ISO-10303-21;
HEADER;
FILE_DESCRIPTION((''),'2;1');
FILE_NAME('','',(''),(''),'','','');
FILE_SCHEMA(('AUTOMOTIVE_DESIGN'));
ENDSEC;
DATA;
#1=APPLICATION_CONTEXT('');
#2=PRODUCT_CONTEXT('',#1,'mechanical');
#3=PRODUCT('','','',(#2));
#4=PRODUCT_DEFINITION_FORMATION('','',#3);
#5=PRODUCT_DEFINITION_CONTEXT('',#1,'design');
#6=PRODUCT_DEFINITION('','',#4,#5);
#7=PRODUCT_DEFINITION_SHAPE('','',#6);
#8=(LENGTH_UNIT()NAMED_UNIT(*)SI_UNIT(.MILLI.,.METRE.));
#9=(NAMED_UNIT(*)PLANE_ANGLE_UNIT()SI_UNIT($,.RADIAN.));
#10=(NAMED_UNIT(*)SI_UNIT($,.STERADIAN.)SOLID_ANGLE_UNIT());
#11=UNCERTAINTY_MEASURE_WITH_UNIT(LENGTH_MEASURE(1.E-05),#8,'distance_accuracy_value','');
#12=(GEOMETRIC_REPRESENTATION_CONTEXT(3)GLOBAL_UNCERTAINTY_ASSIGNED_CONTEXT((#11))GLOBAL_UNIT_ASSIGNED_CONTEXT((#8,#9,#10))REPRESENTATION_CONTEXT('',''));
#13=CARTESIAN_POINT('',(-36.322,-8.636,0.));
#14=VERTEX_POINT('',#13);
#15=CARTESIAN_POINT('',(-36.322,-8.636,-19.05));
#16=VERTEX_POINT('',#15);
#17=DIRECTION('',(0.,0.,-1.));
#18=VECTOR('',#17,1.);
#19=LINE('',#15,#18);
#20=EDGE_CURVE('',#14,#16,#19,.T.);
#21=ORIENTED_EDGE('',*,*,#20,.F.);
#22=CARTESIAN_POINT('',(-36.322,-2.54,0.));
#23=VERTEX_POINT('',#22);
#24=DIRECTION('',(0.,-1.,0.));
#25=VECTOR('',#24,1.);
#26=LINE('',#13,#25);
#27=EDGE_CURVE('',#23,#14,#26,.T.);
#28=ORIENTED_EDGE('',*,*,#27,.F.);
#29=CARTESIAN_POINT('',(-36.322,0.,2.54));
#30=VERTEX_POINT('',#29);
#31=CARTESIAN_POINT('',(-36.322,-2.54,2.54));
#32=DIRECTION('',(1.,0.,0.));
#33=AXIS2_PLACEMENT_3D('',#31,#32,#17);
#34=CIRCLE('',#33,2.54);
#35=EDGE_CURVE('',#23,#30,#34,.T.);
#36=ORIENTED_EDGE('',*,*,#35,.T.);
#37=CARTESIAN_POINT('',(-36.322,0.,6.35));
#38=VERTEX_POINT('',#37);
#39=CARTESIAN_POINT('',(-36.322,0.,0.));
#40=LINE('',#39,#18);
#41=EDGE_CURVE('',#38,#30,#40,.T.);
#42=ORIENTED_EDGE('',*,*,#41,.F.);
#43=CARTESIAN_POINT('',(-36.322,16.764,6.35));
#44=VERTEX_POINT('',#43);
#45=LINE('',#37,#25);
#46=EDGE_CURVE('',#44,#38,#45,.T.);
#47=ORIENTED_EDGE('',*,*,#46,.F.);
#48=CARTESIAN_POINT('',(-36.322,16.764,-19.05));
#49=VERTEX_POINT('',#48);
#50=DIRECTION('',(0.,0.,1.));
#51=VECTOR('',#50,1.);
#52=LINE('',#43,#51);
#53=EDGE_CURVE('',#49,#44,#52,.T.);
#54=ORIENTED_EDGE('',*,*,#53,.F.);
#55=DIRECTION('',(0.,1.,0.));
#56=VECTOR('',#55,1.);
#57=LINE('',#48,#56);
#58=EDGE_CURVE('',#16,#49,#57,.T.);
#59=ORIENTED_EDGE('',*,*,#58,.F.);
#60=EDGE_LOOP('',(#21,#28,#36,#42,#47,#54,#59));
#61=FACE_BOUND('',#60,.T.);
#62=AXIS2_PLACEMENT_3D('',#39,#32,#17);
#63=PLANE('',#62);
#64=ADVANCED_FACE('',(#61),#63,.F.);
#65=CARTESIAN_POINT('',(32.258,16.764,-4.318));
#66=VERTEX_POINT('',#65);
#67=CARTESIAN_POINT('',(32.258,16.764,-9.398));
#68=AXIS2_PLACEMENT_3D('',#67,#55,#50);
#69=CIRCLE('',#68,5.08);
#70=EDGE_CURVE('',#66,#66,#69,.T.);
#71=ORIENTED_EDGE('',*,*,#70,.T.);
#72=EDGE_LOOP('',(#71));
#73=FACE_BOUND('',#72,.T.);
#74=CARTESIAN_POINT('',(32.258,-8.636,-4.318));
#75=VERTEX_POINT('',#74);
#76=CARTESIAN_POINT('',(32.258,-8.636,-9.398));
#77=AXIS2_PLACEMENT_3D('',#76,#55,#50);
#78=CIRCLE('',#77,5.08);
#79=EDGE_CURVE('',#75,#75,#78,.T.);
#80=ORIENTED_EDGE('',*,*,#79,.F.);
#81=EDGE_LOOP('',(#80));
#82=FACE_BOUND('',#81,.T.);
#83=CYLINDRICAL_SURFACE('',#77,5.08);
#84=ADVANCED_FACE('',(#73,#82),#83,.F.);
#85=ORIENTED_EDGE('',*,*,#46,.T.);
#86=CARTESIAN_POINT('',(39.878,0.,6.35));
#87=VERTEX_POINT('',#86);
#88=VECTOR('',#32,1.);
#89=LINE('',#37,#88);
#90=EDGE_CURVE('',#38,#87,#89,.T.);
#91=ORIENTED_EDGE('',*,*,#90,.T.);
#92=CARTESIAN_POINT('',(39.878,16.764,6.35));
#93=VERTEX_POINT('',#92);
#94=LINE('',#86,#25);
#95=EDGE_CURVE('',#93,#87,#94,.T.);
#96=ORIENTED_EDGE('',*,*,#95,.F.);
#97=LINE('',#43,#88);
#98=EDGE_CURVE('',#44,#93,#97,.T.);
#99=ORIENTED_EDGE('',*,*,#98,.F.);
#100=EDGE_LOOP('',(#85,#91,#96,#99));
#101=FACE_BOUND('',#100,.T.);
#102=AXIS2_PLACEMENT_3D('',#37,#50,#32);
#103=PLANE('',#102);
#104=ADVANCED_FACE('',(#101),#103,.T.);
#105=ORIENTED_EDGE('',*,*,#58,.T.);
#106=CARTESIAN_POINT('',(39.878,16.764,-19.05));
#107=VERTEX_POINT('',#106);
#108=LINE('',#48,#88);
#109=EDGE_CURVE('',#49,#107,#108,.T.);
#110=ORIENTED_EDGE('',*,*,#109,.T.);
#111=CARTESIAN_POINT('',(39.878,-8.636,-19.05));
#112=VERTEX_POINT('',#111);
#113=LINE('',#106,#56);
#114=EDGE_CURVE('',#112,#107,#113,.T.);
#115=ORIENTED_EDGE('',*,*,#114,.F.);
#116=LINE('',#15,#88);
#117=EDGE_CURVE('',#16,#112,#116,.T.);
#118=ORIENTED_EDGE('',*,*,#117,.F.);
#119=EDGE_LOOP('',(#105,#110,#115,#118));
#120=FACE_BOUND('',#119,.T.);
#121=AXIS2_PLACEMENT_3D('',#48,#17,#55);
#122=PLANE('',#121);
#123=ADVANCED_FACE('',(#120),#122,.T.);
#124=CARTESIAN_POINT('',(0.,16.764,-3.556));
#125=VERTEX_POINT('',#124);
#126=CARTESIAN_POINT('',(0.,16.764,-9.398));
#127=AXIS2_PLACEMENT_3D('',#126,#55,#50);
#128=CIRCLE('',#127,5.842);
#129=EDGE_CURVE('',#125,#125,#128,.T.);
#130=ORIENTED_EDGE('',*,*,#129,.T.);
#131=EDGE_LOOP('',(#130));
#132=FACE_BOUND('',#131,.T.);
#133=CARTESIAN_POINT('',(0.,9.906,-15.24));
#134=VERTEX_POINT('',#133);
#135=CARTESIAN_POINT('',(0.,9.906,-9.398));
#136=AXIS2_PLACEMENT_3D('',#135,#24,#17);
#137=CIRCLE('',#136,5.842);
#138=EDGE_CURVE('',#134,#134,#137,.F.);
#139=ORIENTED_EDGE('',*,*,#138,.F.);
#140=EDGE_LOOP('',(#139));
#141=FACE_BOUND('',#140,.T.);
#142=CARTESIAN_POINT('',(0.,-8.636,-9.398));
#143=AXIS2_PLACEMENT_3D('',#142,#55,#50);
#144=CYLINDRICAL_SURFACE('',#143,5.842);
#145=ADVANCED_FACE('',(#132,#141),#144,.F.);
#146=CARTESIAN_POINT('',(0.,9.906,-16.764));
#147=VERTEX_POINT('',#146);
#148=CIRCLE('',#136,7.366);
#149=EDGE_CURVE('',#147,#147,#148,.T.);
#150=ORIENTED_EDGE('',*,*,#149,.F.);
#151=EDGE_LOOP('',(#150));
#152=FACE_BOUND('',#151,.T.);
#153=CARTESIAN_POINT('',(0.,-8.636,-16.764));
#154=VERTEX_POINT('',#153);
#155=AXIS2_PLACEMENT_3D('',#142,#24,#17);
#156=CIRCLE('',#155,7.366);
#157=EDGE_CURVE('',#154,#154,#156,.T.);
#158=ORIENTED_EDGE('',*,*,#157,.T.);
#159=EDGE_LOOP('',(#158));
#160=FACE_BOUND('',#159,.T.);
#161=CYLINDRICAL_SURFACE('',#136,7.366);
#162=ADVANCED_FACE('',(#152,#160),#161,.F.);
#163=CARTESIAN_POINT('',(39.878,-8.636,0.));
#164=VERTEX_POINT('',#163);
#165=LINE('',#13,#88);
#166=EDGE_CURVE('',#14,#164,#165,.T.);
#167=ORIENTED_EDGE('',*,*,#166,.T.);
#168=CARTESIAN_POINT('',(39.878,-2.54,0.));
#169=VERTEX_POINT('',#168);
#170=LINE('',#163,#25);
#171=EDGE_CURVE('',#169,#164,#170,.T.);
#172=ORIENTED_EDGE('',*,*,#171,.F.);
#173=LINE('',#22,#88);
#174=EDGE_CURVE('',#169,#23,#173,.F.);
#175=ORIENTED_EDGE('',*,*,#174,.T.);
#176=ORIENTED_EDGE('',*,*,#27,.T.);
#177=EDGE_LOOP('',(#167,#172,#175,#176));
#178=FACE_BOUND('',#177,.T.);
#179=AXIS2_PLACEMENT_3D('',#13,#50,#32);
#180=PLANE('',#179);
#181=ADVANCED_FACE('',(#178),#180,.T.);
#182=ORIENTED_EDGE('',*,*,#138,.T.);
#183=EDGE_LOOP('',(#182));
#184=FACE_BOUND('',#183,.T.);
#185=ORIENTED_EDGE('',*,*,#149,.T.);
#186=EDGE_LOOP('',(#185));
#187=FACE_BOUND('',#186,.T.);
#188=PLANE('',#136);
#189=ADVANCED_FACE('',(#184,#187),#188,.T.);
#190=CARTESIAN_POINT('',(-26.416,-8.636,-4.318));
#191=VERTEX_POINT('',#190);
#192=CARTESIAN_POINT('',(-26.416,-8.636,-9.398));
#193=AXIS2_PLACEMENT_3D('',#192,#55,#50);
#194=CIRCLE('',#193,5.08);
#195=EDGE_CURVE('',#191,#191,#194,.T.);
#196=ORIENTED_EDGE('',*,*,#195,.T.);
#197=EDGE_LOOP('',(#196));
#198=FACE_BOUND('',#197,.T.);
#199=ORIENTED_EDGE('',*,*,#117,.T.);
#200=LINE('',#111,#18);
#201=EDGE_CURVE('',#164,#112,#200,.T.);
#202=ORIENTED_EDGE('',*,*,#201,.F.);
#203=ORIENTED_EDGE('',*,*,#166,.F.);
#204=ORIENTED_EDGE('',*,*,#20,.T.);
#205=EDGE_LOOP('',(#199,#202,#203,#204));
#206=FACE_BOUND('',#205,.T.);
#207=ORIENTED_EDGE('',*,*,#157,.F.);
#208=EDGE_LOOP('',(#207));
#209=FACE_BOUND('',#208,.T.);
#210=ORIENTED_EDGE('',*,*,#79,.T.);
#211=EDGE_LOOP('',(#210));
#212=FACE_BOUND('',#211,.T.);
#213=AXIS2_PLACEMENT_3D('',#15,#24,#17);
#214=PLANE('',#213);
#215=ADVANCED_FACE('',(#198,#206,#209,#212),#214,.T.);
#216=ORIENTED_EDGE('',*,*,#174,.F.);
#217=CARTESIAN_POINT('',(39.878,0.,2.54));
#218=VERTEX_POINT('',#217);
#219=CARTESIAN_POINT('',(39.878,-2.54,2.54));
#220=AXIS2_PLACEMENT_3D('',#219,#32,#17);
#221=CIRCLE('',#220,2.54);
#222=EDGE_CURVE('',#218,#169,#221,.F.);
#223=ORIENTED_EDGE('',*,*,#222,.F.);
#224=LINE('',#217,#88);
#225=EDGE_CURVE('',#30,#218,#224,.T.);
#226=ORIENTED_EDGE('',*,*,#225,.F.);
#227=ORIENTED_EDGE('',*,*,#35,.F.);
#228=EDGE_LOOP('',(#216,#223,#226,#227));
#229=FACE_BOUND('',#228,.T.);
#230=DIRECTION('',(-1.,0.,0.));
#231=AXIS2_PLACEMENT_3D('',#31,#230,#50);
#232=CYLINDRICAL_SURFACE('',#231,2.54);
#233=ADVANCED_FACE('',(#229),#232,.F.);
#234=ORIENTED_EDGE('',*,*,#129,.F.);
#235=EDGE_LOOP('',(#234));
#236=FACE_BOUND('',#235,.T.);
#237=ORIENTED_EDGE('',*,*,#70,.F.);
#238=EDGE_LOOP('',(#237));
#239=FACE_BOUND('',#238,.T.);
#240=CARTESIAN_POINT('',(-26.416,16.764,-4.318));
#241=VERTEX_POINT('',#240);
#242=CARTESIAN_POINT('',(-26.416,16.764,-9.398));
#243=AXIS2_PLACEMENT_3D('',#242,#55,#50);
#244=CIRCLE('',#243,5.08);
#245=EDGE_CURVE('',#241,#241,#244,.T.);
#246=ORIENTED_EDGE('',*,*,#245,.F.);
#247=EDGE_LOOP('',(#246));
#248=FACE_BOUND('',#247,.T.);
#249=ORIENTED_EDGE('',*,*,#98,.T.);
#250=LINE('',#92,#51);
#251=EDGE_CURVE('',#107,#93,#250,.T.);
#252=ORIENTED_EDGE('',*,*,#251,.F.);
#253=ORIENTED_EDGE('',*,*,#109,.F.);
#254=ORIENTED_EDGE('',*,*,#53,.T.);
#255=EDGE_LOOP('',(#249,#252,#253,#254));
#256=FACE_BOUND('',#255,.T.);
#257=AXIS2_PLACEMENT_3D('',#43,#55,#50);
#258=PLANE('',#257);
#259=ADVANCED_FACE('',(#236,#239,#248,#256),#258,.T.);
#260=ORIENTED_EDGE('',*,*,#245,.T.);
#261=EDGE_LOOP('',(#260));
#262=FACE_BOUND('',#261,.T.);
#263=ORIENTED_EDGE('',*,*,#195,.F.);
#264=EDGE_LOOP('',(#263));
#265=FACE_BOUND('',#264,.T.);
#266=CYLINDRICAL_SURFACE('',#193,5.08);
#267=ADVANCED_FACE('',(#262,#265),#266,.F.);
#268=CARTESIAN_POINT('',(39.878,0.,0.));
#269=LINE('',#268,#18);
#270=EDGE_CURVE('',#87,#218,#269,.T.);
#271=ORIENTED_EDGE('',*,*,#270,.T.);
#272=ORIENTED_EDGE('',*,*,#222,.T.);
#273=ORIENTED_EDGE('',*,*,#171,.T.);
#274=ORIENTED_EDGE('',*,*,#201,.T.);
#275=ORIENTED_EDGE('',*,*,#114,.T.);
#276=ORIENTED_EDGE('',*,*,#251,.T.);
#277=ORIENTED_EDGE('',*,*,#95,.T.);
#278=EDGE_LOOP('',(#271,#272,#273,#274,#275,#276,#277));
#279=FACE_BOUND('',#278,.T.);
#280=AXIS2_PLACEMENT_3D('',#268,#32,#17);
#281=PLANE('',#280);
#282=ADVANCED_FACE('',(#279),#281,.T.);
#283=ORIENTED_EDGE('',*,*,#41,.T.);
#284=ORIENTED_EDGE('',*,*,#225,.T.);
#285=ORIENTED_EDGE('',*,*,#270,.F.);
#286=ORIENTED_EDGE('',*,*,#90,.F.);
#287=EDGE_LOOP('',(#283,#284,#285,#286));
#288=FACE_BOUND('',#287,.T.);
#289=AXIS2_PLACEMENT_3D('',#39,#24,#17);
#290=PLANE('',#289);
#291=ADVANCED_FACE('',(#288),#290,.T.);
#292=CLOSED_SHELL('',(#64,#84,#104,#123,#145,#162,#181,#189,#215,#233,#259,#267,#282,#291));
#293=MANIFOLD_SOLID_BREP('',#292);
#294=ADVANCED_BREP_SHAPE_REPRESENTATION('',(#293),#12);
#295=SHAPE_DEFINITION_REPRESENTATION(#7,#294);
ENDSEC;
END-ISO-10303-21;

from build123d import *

# Parameters (mm, degrees)
BOSS_EXTRUDE1_DEPTH      = 39.878
BOSS_EXTRUDE1_DEPTH_BACK = 36.322
FILLET1_R                = 2.54
SKETCH2_R                = 5.08
SKETCH2_R_2              = 5.842
CUT_EXTRUDE1_DEPTH       = 26.4
SKETCH3_R                = 7.366
CUT_EXTRUDE2_DEPTH       = 18.542


with BuildPart() as part:
    # Sketch1 → Boss-Extrude1 (new body, two sides)
    with BuildSketch(Plane(origin=(0, 0, 0), x_dir=(0, 0, -1), z_dir=(1, 0, 0))) as boss_extrude1_sk:
        Polygon((0, 0), (-6.35, 0), (-6.35, 16.764), (19.05, 16.764), (19.05, -8.636), (0, -8.636), align=None)
    extrude(amount=BOSS_EXTRUDE1_DEPTH)
    extrude(boss_extrude1_sk.sketch, amount=-BOSS_EXTRUDE1_DEPTH_BACK)

    # Fillet1
    fillet1_edges = [part.edges().sort_by_distance(p)[0] for p in [
        (1.778, 0, 0),
    ]]
    fillet(fillet1_edges, radius=FILLET1_R)

    # Sketch2 → Cut-Extrude1 (cut, through all)
    with BuildSketch(Plane(origin=(0, 16.764, 0), x_dir=(1, 0, 0), z_dir=(0, 1, 0))):
        with Locations((-26.416, 9.398)):
            Circle(SKETCH2_R)
        with Locations((32.258, 9.398)):
            Circle(SKETCH2_R)
        with Locations((0, 9.398)):
            Circle(SKETCH2_R_2)
    extrude(amount=-CUT_EXTRUDE1_DEPTH, mode=Mode.SUBTRACT)

    # Sketch3 → Cut-Extrude2 (cut)
    with BuildSketch(Plane.XZ.offset(8.636)):
        with Locations((0, -9.398)):
            Circle(SKETCH3_R)
    extrude(amount=-CUT_EXTRUDE2_DEPTH, mode=Mode.SUBTRACT)


solid = part.part
